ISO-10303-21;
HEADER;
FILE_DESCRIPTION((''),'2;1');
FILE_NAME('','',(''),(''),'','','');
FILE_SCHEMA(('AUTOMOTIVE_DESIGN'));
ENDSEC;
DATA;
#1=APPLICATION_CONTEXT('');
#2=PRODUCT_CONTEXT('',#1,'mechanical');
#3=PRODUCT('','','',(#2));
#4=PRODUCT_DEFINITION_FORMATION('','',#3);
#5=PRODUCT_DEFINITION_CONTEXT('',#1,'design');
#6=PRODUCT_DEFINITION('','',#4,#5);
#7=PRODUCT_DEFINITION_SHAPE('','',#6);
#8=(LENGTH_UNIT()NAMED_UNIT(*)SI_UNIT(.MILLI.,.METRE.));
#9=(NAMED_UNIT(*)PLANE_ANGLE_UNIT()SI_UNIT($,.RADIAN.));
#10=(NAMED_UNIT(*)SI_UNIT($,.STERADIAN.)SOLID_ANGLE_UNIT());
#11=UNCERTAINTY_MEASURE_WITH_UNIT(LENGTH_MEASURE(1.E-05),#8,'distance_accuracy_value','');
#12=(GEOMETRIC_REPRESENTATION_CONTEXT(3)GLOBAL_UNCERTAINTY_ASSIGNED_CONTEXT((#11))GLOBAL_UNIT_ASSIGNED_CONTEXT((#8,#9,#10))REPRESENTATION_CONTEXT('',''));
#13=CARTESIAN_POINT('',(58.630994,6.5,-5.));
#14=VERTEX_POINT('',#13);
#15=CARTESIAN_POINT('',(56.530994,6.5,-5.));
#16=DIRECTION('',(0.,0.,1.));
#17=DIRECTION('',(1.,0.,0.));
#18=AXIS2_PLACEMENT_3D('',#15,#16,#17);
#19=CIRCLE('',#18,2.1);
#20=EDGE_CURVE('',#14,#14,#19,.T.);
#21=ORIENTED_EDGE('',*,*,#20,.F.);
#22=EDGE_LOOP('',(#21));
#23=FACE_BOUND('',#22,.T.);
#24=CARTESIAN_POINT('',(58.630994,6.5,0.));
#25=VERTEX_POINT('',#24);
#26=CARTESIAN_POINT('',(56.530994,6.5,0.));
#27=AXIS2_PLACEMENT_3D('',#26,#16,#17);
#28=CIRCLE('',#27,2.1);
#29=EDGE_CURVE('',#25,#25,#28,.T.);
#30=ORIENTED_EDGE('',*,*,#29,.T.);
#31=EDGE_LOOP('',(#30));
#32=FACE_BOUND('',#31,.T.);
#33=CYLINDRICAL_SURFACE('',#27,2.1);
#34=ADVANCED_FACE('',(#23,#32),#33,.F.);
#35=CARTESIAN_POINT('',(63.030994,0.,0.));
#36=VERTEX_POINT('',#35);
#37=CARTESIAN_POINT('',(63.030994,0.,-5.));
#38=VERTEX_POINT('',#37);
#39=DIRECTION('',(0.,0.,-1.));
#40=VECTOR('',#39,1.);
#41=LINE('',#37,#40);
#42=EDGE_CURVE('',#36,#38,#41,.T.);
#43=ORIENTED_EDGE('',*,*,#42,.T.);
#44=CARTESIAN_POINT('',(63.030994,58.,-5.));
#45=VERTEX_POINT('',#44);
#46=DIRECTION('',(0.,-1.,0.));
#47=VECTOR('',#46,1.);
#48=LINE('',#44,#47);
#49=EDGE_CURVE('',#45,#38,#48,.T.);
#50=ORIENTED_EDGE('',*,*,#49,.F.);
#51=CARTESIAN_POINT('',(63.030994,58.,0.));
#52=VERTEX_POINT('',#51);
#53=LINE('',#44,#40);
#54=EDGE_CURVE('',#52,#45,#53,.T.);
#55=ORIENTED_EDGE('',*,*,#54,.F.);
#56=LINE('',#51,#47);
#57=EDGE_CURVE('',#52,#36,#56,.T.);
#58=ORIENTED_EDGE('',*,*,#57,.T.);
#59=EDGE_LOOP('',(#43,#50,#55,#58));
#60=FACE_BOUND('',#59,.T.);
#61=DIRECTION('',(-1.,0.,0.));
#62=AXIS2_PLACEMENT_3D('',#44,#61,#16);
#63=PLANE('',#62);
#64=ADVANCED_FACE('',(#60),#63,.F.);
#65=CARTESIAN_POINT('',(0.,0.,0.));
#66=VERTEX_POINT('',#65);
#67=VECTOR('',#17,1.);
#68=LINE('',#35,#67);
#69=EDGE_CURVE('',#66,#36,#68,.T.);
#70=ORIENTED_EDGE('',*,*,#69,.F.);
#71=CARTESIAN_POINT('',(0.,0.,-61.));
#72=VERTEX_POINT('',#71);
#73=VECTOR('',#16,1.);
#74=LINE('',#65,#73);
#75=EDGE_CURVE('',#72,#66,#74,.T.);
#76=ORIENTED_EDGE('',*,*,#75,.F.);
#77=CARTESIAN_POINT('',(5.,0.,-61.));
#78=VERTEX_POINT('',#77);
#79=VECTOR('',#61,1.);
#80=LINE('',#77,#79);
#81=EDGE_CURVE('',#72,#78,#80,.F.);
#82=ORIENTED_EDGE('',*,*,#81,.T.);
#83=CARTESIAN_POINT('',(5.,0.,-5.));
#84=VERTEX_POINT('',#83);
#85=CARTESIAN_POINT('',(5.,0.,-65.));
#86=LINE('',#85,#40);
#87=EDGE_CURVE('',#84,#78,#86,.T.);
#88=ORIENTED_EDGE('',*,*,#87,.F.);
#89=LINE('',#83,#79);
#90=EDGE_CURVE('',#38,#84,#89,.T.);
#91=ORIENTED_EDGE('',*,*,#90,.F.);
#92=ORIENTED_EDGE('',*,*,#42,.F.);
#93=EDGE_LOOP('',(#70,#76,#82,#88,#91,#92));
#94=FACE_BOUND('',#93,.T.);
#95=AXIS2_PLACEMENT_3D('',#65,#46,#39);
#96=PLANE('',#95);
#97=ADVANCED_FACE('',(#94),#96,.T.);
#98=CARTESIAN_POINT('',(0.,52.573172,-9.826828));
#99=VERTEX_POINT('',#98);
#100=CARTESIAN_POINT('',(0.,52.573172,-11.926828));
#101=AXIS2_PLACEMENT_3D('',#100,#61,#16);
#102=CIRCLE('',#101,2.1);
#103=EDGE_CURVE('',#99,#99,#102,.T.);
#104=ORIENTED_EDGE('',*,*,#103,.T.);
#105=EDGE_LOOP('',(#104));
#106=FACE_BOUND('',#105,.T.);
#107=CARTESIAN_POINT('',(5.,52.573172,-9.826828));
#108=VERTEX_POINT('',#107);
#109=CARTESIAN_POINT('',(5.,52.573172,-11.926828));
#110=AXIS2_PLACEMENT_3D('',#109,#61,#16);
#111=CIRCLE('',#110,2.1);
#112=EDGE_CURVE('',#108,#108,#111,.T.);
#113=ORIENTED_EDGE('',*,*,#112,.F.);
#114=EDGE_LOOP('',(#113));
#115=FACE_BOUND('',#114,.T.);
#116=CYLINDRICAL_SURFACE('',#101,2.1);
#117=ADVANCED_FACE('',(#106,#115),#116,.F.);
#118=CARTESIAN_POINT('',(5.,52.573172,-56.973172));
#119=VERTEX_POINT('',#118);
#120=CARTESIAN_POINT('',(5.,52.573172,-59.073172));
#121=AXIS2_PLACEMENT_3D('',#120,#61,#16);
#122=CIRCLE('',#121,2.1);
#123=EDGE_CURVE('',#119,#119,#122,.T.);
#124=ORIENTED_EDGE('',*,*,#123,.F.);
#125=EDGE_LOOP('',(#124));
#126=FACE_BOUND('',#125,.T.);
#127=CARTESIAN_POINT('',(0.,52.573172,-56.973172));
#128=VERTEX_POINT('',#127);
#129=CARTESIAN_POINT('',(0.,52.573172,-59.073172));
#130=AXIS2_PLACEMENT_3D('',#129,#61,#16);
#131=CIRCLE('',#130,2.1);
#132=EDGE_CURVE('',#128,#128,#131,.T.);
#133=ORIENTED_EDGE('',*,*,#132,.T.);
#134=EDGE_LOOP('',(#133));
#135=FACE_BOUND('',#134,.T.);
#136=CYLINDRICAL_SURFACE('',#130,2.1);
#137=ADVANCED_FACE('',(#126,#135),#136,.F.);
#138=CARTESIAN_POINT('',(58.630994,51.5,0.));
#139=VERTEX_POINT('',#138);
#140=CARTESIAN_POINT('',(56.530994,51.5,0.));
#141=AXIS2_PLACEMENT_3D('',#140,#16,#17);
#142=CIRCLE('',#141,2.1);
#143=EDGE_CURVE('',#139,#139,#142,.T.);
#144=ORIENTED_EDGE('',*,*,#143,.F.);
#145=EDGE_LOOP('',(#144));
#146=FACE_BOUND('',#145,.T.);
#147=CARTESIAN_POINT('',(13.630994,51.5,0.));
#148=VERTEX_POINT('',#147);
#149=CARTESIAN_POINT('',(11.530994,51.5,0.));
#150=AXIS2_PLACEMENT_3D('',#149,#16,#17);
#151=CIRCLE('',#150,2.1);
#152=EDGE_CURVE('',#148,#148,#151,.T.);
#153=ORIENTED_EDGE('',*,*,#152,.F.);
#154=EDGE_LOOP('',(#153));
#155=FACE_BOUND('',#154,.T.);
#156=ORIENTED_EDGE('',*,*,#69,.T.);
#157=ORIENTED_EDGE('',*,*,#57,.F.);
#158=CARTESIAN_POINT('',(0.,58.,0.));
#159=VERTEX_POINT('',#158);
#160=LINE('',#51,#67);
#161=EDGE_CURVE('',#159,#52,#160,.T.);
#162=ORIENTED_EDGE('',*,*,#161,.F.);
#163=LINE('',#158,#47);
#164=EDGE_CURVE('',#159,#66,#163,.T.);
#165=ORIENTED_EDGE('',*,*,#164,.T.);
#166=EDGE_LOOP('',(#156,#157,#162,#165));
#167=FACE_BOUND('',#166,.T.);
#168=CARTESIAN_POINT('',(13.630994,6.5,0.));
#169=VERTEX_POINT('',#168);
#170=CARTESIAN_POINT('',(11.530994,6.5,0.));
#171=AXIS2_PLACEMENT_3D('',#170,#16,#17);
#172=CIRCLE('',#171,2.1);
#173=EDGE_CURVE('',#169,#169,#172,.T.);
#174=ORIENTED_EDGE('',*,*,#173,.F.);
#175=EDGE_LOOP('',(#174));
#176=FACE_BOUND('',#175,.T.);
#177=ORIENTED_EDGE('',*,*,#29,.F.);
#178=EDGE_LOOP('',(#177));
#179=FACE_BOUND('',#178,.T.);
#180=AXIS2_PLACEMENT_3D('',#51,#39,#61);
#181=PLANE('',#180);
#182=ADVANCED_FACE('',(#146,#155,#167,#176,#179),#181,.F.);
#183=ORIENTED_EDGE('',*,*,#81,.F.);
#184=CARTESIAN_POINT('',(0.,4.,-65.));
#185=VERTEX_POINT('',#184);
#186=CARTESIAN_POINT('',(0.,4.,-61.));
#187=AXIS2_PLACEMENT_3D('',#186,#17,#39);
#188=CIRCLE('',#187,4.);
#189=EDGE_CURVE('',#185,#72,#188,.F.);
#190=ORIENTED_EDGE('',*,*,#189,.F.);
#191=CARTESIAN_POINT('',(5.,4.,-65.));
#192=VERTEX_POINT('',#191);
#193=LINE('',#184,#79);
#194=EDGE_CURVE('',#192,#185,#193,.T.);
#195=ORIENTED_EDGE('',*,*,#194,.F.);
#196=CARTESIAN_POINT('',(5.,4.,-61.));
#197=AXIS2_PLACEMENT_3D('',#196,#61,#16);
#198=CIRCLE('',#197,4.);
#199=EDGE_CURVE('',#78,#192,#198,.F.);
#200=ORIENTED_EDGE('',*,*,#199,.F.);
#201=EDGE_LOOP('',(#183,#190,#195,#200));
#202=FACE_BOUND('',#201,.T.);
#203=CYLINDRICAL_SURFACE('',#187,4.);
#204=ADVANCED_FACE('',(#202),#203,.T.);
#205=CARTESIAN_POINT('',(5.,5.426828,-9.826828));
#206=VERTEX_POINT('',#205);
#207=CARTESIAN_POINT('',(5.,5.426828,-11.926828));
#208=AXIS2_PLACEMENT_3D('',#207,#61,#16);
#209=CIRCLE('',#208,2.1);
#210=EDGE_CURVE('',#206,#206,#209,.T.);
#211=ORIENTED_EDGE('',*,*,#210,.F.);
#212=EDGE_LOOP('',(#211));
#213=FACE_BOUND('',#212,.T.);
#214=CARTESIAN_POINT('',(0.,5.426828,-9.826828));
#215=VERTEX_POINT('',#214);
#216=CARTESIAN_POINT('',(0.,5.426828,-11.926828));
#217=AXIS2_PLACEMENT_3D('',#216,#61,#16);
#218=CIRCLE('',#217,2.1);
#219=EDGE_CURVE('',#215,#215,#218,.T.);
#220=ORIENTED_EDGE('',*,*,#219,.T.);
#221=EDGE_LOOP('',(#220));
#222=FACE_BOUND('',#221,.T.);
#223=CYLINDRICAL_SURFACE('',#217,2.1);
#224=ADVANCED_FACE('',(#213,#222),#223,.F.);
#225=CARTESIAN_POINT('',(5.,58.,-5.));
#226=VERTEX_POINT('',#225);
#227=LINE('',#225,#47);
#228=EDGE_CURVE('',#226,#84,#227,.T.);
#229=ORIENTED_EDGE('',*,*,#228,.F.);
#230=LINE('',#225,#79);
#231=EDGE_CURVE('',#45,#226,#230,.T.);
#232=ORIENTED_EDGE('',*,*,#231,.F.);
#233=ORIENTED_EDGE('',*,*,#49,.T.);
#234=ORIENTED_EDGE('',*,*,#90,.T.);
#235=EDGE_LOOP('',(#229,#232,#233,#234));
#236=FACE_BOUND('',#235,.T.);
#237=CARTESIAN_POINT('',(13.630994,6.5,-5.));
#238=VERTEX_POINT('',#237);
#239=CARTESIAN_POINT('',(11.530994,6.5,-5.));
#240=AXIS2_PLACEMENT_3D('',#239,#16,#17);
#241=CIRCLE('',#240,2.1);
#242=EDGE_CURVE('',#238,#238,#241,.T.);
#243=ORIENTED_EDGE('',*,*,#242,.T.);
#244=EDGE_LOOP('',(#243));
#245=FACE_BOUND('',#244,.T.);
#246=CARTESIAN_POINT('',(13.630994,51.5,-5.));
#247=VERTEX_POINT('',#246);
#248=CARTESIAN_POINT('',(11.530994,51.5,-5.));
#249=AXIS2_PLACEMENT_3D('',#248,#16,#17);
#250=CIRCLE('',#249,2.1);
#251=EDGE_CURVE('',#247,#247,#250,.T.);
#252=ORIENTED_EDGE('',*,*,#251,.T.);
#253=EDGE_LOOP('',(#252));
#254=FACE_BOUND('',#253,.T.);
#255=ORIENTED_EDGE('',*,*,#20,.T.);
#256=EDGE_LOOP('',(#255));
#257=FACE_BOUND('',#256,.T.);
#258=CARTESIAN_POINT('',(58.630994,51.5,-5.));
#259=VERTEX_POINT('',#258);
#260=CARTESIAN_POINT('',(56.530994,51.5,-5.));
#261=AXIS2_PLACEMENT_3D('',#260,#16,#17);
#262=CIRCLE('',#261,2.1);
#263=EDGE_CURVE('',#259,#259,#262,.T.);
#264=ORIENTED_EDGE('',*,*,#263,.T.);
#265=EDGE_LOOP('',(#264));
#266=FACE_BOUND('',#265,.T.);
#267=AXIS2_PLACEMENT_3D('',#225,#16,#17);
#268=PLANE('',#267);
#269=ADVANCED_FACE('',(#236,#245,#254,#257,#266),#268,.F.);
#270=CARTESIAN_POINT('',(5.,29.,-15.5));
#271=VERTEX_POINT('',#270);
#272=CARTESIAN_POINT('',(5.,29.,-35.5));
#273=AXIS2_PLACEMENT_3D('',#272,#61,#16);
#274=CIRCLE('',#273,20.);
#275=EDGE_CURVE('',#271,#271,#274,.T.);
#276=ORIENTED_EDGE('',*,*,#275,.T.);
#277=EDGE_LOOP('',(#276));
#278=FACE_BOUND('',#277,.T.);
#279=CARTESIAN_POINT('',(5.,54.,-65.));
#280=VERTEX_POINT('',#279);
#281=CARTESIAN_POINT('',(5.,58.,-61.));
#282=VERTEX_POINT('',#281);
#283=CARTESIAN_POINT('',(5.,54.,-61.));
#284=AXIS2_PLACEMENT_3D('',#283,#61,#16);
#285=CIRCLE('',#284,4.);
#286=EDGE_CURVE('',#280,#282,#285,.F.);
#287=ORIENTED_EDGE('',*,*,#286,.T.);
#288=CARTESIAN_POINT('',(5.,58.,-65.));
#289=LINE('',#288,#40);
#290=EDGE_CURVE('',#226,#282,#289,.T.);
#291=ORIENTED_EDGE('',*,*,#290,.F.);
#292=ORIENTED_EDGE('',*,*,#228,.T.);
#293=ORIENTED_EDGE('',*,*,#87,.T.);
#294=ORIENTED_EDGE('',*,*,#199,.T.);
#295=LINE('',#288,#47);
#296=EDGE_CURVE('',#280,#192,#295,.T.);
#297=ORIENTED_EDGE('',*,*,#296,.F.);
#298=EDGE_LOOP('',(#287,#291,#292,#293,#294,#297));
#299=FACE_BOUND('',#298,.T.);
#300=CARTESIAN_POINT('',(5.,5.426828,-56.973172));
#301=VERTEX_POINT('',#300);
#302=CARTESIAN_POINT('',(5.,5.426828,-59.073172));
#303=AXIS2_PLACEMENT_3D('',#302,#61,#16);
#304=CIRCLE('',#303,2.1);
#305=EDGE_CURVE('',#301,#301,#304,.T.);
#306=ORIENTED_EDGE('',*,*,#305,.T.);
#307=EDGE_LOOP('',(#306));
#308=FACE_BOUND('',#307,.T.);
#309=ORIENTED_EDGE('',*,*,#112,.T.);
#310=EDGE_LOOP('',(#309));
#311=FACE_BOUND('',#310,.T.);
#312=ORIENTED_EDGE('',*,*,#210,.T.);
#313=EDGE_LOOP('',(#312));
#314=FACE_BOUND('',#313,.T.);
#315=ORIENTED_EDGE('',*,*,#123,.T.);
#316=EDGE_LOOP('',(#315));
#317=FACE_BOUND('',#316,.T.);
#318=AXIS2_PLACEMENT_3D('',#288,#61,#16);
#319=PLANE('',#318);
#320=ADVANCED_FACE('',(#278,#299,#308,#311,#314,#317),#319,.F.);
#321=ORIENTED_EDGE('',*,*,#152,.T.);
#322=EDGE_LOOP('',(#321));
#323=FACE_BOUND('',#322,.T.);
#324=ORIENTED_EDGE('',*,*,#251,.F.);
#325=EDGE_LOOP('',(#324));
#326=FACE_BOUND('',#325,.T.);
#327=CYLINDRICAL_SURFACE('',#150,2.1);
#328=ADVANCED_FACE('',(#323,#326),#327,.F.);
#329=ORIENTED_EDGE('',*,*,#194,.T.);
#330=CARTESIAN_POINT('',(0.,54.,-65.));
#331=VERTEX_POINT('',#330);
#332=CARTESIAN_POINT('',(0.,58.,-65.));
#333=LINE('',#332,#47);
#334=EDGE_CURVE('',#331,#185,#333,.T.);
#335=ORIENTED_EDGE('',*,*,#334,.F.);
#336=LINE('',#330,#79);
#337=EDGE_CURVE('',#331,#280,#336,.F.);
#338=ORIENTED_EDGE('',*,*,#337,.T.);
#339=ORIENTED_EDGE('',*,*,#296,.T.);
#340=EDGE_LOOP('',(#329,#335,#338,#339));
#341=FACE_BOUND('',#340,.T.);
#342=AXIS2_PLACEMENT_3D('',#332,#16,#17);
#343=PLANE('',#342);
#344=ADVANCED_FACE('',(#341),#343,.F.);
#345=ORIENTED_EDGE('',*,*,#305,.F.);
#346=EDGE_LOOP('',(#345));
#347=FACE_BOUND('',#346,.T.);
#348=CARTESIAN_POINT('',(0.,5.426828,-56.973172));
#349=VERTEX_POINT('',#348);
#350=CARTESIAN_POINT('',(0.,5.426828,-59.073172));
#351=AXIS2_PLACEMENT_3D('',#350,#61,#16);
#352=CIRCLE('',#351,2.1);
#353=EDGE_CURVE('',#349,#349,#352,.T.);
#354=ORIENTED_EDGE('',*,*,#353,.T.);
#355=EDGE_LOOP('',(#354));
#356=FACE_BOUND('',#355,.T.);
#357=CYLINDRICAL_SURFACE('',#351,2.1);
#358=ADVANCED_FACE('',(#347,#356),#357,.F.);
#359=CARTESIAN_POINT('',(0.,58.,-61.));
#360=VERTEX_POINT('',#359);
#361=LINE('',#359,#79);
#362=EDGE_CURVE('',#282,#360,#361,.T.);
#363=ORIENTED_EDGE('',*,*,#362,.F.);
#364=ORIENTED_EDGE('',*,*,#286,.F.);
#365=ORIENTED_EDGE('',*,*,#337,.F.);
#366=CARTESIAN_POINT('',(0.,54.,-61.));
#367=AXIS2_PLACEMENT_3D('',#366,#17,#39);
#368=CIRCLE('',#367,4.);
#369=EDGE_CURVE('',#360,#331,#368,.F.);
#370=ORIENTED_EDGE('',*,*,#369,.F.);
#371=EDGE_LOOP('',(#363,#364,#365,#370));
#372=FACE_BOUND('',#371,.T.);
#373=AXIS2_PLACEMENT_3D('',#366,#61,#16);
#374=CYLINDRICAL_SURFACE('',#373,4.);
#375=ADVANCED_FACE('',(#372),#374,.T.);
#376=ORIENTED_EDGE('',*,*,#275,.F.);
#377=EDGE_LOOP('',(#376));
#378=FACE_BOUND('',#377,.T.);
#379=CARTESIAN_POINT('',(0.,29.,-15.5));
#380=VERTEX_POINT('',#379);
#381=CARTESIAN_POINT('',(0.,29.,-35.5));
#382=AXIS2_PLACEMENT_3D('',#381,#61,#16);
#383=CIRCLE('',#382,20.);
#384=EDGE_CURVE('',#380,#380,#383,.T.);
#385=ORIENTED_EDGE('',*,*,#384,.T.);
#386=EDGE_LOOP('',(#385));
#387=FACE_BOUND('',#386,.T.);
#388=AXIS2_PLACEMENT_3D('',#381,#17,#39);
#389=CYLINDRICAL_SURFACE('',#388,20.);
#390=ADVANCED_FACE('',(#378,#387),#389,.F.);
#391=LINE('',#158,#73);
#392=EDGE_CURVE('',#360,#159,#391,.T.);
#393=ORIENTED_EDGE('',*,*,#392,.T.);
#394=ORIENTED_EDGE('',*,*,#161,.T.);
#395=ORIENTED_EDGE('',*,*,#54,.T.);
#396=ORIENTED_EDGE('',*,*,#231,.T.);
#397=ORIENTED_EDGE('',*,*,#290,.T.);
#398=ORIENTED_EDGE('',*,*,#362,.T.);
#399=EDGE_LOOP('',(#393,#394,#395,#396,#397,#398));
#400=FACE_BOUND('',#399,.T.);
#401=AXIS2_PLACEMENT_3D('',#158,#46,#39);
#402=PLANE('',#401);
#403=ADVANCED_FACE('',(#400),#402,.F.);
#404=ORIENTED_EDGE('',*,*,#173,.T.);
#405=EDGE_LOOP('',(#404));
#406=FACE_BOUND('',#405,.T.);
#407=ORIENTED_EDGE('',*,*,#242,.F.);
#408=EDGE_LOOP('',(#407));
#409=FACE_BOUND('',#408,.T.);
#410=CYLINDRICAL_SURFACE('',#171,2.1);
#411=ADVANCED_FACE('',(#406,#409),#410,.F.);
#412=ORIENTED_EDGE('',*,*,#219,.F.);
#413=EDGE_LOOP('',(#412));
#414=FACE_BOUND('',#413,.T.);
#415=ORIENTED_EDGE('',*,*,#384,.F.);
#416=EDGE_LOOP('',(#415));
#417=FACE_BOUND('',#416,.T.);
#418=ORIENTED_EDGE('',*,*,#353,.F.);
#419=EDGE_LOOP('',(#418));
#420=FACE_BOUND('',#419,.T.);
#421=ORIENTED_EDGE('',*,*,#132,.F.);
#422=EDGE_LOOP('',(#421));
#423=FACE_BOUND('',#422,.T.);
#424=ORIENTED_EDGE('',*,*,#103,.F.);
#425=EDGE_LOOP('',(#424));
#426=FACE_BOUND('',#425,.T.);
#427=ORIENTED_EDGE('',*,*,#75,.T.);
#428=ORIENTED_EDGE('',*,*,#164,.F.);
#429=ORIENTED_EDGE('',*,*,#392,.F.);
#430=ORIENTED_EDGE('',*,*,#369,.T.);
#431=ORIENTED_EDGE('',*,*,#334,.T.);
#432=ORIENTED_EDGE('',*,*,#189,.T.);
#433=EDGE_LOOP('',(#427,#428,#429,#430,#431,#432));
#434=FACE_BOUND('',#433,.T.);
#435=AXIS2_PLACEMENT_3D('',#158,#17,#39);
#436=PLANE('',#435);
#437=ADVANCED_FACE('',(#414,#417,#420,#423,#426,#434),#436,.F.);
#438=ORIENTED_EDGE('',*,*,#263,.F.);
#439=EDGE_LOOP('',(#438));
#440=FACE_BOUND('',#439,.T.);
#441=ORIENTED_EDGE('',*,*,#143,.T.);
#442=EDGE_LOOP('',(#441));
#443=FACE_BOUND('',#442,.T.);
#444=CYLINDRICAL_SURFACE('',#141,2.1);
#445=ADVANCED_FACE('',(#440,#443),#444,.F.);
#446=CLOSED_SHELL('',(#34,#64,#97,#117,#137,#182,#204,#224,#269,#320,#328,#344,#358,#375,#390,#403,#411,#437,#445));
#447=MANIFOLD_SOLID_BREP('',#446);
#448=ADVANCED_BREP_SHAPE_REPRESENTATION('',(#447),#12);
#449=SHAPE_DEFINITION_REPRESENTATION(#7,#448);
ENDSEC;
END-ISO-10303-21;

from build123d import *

# Parameters (mm, degrees)
BOSS_EXTRUDE2_DEPTH   = 58
SKETCH3_R             = 20
CUT_EXTRUDE3_DEPTH    = 105.673761331
M5X0_8_TAPPED_HOLE3_D = 4.2
M5X0_8_TAPPED_HOLE2_D = 4.2
FILLET1_R             = 4


with BuildPart() as part:
    # Sketch2 → Boss-Extrude2 (new body)
    with BuildSketch(Plane(origin=(0, 0, 0), x_dir=(1, 0, 0), z_dir=(0, 1, 0))):
        Polygon((0, 0), (0, 65), (5, 65), (5, 5), (63.030994401, 5), (63.030994401, 0), align=None)
    extrude(amount=BOSS_EXTRUDE2_DEPTH)

    # Sketch3 → Cut-Extrude3 (cut, through all)
    with BuildSketch(Plane.ZY.offset(-5)):
        with Locations((-35.5, 29)):
            Circle(SKETCH3_R)
    extrude(amount=CUT_EXTRUDE3_DEPTH, mode=Mode.SUBTRACT)

    # M5x0.8 Tapped Hole3 (through all)
    with Locations(Plane.XY):
        with Locations((11.530994401, 6.5), (11.530994401, 51.5), (56.530994401, 51.5), (56.530994401, 6.5)):
            Hole(M5X0_8_TAPPED_HOLE3_D / 2)

    # M5x0.8 Tapped Hole2 (through all)
    with Locations(Plane.ZY):
        with Locations((-11.926827682, 5.426827682), (-11.926827682, 52.573172318), (-59.073172318, 52.573172318), (-59.073172318, 5.426827682)):
            Hole(M5X0_8_TAPPED_HOLE2_D / 2)

    # Fillet1
    fillet1_edges = [part.edges().sort_by_distance(p)[0] for p in [
        (2.5, 58, -65),
        (2.5, 0, -65),
    ]]
    fillet(fillet1_edges, radius=FILLET1_R)


solid = part.part
